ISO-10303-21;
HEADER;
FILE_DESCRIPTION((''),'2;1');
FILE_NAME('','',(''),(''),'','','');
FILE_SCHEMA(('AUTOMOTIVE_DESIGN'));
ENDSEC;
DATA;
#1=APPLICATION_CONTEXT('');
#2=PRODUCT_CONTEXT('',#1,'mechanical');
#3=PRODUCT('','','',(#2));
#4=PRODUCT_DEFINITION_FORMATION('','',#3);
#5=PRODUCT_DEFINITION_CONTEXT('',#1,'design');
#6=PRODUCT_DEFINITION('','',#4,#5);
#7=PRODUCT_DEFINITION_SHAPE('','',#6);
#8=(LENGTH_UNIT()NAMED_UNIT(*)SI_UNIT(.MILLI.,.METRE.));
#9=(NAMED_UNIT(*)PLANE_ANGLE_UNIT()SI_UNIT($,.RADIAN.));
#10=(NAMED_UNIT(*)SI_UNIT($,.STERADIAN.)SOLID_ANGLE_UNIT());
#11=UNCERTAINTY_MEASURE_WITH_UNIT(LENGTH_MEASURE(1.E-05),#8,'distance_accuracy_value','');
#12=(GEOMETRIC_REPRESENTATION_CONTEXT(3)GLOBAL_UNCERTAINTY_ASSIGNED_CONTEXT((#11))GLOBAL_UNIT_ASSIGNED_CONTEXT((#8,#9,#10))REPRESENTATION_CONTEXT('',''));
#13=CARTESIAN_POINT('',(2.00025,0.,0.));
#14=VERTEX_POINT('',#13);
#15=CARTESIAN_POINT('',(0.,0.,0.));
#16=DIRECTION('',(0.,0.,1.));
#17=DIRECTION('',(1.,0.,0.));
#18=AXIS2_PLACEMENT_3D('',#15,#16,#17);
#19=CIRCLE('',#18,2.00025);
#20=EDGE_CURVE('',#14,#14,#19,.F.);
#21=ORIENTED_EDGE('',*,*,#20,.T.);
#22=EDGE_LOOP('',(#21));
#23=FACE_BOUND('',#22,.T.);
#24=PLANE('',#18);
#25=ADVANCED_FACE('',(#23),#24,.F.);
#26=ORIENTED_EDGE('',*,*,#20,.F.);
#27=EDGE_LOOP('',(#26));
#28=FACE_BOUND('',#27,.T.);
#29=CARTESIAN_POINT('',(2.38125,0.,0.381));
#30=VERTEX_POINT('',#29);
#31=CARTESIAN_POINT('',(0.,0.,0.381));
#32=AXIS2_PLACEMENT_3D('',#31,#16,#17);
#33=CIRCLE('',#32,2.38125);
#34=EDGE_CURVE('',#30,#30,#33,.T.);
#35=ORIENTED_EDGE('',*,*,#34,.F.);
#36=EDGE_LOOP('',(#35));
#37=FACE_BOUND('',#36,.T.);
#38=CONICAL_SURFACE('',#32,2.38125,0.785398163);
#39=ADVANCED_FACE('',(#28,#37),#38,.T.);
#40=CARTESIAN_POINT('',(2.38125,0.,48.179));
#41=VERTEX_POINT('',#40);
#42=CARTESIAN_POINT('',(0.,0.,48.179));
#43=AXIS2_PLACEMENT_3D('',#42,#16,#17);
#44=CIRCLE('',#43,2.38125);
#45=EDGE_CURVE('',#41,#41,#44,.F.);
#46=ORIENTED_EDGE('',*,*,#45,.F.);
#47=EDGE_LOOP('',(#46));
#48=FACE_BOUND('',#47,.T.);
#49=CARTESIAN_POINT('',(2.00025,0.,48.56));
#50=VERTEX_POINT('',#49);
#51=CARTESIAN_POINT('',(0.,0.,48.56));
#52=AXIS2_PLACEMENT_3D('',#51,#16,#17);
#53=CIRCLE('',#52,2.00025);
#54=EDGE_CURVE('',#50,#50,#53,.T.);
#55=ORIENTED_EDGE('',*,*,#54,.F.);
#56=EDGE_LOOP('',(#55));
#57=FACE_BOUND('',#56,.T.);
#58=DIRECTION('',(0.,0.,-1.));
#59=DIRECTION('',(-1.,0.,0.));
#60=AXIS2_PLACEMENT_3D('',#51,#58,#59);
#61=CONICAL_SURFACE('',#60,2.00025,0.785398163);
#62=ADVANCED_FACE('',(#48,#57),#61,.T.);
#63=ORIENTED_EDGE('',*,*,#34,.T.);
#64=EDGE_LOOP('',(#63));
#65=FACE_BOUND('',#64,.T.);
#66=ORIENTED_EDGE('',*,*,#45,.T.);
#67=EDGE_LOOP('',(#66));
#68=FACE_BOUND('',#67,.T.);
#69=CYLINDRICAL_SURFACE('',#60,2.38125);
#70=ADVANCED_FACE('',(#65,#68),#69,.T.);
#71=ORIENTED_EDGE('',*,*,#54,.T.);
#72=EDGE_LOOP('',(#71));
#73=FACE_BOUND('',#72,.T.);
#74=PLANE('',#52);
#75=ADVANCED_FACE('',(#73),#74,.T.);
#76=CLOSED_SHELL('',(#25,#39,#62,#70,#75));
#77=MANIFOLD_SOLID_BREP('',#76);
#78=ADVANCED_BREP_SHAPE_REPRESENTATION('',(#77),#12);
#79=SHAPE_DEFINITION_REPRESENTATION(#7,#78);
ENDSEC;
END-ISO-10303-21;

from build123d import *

# Parameters (mm, degrees)
SKETCH1_R           = 2.38125
BOSS_EXTRUDE1_DEPTH = 48.560000034
CHAMFER1_SIZE       = 0.381


with BuildPart() as part:
    # Sketch1 → Boss-Extrude1 (new body)
    with BuildSketch(Plane.XY):
        Circle(SKETCH1_R)
    extrude(amount=BOSS_EXTRUDE1_DEPTH)

    # Chamfer1
    chamfer1_edges = [part.edges().sort_by_distance(p)[0] for p in [
        (-2.38125, 0, 0),
        (-2.38125, 0, 48.560000034),
    ]]
    chamfer(chamfer1_edges, length=CHAMFER1_SIZE)


solid = part.part
